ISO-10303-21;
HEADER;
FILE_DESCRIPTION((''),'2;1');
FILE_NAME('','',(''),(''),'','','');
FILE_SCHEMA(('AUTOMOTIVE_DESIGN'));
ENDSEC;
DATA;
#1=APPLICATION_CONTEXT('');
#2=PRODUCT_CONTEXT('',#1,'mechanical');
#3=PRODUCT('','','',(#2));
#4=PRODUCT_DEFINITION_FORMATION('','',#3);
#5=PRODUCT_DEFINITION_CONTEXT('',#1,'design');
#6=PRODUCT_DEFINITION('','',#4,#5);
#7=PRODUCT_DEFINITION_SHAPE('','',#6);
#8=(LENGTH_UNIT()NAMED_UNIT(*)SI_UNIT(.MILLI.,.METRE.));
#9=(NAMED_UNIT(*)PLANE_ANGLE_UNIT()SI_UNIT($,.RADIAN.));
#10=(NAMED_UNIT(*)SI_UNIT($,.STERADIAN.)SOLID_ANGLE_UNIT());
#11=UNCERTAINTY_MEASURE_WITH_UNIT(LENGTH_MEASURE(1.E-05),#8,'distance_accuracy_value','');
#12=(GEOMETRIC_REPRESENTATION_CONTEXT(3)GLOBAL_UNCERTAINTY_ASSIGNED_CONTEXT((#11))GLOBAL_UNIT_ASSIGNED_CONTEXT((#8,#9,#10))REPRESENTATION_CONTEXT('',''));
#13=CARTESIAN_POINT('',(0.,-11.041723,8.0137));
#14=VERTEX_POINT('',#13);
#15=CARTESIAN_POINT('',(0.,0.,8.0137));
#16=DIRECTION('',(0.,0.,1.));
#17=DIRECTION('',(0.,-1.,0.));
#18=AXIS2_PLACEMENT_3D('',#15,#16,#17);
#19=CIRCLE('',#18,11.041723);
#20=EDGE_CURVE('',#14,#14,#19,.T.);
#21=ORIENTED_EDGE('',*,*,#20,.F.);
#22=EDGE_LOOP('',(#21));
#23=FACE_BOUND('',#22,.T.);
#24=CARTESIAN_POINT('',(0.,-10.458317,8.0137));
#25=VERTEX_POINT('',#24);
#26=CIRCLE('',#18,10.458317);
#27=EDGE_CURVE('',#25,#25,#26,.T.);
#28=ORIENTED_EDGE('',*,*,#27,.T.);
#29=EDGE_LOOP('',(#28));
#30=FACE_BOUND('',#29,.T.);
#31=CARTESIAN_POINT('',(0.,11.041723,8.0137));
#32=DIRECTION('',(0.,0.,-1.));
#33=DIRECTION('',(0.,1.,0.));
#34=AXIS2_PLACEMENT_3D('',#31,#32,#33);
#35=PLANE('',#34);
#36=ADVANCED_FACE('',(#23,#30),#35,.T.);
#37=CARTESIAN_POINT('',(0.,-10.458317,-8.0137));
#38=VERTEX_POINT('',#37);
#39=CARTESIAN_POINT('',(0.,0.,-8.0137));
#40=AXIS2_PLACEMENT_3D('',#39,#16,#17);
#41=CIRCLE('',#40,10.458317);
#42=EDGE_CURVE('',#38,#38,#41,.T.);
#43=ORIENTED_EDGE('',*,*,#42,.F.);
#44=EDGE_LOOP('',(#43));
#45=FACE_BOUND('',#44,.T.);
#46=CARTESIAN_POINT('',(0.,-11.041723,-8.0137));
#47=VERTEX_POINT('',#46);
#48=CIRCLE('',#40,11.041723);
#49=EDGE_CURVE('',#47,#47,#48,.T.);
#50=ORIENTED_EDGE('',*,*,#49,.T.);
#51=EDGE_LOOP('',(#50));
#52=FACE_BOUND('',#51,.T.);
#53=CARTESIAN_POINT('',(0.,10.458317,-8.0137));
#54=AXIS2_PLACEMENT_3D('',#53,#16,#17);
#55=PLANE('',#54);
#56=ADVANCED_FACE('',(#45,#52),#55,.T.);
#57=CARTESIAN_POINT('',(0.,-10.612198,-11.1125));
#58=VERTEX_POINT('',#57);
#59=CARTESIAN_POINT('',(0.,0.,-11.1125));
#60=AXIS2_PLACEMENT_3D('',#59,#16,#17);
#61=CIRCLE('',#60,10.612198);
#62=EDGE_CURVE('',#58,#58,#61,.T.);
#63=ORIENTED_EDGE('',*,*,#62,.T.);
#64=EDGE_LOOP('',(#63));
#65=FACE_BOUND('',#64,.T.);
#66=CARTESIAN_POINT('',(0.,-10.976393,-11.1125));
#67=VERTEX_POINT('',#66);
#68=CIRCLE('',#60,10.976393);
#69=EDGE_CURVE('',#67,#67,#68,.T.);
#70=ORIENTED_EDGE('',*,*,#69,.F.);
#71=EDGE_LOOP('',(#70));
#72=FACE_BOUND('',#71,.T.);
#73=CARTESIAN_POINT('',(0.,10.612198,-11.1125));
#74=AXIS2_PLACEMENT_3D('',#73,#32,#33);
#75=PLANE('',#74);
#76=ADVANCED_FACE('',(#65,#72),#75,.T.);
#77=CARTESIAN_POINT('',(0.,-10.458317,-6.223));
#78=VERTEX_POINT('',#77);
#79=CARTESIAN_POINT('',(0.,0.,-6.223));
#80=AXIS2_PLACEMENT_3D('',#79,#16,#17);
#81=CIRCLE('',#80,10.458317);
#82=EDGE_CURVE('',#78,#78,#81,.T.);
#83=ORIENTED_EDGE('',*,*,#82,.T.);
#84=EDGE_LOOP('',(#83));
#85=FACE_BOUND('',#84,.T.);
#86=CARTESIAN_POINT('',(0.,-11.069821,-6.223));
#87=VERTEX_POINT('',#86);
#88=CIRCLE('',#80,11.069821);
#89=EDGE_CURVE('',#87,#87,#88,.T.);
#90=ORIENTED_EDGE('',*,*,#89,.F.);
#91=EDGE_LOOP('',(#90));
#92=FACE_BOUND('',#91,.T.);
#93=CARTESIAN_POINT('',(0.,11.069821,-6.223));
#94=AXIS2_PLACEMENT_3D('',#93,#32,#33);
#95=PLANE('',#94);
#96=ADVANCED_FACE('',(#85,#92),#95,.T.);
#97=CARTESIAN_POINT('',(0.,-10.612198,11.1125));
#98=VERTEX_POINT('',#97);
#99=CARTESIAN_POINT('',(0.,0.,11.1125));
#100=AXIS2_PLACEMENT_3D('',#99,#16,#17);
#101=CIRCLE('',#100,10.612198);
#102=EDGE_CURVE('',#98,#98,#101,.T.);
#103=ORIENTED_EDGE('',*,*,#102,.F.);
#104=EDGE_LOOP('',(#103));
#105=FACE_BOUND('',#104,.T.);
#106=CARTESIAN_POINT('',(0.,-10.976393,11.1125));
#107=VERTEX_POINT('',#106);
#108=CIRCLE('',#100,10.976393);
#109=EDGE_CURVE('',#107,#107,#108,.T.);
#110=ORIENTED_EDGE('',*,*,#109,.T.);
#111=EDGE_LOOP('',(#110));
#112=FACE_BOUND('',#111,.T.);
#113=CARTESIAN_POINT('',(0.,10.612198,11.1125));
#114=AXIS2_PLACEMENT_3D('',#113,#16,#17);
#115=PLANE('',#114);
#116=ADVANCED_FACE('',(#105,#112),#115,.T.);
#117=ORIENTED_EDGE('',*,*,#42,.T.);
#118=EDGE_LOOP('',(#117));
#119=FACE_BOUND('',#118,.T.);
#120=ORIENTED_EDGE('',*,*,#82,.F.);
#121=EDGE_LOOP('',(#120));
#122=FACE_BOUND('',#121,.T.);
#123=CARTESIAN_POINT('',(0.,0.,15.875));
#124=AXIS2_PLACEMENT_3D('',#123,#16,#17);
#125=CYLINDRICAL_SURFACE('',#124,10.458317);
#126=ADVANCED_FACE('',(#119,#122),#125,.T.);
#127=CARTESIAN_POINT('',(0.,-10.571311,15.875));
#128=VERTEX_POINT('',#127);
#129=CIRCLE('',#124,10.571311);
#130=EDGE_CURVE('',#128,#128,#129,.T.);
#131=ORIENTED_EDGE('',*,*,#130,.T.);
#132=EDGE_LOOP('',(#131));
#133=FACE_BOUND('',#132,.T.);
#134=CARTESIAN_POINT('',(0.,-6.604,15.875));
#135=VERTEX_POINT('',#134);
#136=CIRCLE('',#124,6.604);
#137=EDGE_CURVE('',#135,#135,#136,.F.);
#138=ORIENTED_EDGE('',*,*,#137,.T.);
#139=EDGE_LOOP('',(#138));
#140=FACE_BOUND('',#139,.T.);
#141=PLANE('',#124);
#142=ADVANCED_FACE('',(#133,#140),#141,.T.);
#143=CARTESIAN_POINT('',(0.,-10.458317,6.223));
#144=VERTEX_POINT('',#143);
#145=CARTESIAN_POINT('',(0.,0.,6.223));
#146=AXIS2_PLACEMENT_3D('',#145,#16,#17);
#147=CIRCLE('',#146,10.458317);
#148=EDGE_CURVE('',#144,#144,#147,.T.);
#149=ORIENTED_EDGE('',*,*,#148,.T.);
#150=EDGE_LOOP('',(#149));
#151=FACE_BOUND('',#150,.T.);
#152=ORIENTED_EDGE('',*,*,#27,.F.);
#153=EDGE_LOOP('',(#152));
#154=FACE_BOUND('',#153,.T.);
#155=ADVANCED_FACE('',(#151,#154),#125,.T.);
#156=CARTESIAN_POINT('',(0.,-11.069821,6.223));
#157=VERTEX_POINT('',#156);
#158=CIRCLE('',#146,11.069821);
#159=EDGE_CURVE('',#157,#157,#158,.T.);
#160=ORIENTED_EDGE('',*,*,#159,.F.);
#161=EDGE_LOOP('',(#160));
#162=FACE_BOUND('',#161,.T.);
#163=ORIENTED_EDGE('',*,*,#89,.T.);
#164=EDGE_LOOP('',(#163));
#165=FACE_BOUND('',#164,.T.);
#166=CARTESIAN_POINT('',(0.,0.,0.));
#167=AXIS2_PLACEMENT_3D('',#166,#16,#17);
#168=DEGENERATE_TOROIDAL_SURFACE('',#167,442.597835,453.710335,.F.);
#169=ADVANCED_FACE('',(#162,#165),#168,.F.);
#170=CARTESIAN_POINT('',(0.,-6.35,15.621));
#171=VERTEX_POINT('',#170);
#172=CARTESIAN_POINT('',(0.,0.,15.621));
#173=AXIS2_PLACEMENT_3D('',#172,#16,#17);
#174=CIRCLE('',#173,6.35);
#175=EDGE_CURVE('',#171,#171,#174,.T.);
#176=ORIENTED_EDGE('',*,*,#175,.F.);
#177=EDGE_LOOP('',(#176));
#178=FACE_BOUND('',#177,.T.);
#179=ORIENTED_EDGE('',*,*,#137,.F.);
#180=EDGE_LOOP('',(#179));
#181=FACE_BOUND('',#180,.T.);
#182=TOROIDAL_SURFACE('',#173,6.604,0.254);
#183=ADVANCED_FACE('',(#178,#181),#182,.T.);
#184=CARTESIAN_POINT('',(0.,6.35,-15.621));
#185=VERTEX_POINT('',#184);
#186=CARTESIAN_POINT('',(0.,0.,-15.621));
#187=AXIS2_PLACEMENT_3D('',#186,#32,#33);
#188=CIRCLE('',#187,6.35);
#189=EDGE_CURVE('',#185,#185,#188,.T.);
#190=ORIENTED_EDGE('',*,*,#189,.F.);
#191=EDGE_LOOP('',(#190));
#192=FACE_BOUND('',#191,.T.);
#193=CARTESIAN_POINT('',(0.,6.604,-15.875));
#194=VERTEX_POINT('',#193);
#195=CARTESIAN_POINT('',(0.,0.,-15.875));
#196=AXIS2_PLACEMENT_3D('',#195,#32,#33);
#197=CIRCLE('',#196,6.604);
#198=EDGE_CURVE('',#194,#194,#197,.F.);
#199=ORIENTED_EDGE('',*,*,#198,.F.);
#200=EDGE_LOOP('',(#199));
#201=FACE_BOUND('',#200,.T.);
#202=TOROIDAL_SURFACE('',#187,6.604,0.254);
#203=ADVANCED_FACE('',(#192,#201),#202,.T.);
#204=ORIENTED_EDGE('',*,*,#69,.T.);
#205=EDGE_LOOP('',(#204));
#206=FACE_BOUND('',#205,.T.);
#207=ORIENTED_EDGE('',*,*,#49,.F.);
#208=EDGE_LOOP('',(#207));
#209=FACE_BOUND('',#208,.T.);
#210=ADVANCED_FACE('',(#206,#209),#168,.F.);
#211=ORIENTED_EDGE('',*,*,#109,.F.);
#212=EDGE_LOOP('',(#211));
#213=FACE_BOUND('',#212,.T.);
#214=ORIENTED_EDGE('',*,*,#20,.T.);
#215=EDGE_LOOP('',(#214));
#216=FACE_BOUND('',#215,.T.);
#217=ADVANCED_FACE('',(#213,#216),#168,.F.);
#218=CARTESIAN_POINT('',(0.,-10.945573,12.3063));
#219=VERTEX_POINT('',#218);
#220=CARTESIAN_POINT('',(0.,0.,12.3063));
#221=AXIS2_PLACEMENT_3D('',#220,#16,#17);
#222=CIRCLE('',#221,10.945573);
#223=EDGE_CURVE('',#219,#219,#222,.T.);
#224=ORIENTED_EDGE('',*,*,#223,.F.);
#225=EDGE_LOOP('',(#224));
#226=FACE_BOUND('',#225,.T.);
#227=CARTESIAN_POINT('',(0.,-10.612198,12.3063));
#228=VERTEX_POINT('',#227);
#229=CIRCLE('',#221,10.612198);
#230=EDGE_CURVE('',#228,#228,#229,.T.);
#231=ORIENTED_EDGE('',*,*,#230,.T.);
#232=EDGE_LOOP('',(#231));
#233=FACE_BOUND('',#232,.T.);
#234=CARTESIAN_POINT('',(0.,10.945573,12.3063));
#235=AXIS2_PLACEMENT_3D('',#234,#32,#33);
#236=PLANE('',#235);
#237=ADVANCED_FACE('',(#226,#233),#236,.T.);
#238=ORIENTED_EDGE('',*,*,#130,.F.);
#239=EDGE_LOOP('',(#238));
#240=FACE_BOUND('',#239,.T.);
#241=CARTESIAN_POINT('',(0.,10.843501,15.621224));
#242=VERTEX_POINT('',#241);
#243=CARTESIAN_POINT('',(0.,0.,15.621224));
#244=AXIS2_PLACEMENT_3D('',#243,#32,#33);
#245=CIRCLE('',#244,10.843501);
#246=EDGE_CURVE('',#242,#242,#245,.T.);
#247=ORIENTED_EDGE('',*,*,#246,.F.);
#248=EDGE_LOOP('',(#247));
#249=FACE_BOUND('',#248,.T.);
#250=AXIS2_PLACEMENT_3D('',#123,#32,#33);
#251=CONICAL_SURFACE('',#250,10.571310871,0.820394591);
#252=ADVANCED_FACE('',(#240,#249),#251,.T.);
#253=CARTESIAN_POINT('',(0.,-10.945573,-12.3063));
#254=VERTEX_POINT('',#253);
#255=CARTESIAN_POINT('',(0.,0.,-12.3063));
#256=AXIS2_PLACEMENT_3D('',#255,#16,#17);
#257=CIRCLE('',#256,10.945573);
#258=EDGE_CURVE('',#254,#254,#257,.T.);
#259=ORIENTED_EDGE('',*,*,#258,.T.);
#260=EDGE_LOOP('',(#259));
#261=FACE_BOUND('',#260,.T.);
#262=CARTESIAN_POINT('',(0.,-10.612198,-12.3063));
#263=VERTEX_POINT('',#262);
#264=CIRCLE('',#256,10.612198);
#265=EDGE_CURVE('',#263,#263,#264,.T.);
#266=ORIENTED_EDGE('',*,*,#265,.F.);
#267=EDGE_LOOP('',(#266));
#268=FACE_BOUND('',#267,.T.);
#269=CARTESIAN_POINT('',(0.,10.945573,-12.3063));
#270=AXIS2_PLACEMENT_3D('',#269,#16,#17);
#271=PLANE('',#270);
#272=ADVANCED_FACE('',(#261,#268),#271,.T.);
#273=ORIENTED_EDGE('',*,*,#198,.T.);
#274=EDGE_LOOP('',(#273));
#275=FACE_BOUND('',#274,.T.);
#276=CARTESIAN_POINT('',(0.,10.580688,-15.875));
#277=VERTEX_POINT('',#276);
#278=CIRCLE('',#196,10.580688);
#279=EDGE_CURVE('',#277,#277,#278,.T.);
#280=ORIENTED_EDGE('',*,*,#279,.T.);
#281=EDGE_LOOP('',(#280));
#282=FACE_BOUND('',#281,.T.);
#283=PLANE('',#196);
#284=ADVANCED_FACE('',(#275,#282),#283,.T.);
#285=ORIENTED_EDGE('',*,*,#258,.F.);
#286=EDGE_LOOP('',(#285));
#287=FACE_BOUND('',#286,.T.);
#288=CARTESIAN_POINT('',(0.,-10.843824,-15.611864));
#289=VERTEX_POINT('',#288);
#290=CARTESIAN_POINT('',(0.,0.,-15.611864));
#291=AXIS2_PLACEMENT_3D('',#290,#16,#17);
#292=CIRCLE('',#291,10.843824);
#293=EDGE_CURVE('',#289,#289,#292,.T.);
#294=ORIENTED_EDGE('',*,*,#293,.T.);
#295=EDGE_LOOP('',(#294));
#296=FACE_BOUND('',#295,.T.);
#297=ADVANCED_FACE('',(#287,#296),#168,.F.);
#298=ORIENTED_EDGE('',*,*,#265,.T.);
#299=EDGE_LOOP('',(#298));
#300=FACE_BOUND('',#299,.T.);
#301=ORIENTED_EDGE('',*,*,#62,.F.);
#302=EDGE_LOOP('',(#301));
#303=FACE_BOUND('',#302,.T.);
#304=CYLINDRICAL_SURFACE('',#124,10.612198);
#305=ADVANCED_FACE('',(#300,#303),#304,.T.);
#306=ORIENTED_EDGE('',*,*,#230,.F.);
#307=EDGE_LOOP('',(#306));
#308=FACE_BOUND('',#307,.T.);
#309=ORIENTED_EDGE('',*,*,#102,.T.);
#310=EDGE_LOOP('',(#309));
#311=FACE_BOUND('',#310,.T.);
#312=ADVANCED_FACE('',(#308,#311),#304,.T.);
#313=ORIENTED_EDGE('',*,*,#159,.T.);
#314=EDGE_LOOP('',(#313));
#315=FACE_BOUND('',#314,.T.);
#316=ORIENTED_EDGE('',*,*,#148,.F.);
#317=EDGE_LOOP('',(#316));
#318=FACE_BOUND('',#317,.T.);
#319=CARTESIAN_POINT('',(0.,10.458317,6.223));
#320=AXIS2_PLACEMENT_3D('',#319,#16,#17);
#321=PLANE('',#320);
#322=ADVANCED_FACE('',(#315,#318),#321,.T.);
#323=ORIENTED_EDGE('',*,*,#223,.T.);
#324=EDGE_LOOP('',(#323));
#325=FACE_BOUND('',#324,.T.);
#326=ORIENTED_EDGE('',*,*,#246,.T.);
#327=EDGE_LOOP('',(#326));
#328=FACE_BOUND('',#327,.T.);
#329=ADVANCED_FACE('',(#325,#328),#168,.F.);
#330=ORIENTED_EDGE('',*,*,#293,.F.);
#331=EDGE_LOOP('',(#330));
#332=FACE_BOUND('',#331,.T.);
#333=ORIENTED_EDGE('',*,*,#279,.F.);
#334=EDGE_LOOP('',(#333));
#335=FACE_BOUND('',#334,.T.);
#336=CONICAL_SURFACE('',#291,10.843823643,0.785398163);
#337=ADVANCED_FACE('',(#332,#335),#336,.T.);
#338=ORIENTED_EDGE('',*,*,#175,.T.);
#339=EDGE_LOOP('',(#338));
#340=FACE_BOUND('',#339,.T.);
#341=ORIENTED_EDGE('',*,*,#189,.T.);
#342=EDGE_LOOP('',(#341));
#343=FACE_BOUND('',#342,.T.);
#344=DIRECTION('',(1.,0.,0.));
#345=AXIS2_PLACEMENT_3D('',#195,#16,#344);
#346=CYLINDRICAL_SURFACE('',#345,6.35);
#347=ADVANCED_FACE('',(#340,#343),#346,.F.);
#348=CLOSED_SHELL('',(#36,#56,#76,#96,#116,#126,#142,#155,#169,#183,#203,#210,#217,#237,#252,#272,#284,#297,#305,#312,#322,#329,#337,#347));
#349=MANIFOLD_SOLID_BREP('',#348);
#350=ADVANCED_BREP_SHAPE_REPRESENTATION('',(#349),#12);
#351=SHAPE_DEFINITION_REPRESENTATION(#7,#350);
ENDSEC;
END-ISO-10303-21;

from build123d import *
from OCP.BRepFilletAPI import BRepFilletAPI_MakeChamfer

# Parameters (mm, degrees)
BORE_DEPTH       = 23.338105227
BORE_DEPTH_BACK  = 23.338105227
SKETCH2_R        = 6.35
OD_CHAMFER_SIZE  = 0.254
OD_CHAMFER_SIZE2 = 0.263376629
ID_FILLET_R      = 0.254


with BuildPart() as part:
    # Sketch1 → Bearing (revolve)
    with BuildSketch(Plane(origin=(0, 0, 0), x_dir=(0, 0, -1), z_dir=(1, 0, 0))):
        with BuildLine():
            Line((-15.875, 0), (15.875, 0))
            Line((15.875, 0), (15.875, -10.8346875))
            ThreePointArc((15.875, -10.8346875), (14.090759076, -10.893640768), (12.3063, -10.945573139))
            Line((12.3063, -10.945573139), (12.3063, -10.612198139))
            Line((12.3063, -10.612198139), (11.1125, -10.612198139))
            Line((11.1125, -10.612198139), (11.1125, -10.976393136))
            ThreePointArc((11.1125, -10.976393136), (9.563155787, -11.011704293), (8.0137, -11.041723127))
            Line((8.0137, -11.041723127), (8.0137, -10.458316877))
            Line((8.0137, -10.458316877), (6.223, -10.458316877))
            Line((6.223, -10.458316877), (6.223, -11.069821282))
            ThreePointArc((6.223, -11.069821282), (3.111573174, -11.101830195), (0, -11.1125))
            ThreePointArc((0, -11.1125), (-3.111573174, -11.101830195), (-6.223, -11.069821282))
            Line((-6.223, -11.069821282), (-6.223, -10.458316877))
            Line((-6.223, -10.458316877), (-8.0137, -10.458316877))
            Line((-8.0137, -10.458316877), (-8.0137, -11.041723127))
            ThreePointArc((-8.0137, -11.041723127), (-9.563155787, -11.011704293), (-11.1125, -10.976393136))
            Line((-11.1125, -10.976393136), (-11.1125, -10.612198139))
            Line((-11.1125, -10.612198139), (-12.3063, -10.612198139))
            Line((-12.3063, -10.612198139), (-12.3063, -10.945573139))
            ThreePointArc((-12.3063, -10.945573139), (-14.090759076, -10.893640768), (-15.875, -10.8346875))
            Line((-15.875, -10.8346875), (-15.875, 0))
        make_face()
    revolve(axis=Axis((0, 0, 15.875), (0, 0, -1)))

    # Sketch2 → Bore (cut, two sides: drawn at the far end of the back side and taken through both)
    with BuildSketch(Plane.XY.offset(-BORE_DEPTH_BACK)):
        Circle(SKETCH2_R)
    extrude(amount=BORE_DEPTH + BORE_DEPTH_BACK, mode=Mode.SUBTRACT)

    # OD Chamfer: one chamfer whose edges measure the first distance from different faces: ONE call of the kernel's chamfer builder (chamfer() names one face for all edges)
    od_chamfer_edges_1 = [part.edges().sort_by_distance(p)[0] for p in [
        (0, 10.8346875, 15.875),
    ]]
    od_chamfer_side_1 = [part.faces().sort_by_distance(p)[0] for p in [
        (0, 10.893640768, 14.090759076),
    ]]
    od_chamfer_edges_2 = [part.edges().sort_by_distance(p)[0] for p in [
        (0, 10.8346875, -15.875),
    ]]
    od_chamfer_side_2 = [part.faces().sort_by_distance(p)[0] for p in [
        (0, 10.52823626, -15.875),
    ]]
    od_chamfer = BRepFilletAPI_MakeChamfer(part.part.solid().wrapped)
    for e in od_chamfer_edges_1:
        od_chamfer.Add(OD_CHAMFER_SIZE, OD_CHAMFER_SIZE2, e.wrapped, od_chamfer_side_1[0].wrapped)  # the first distance lies on this face
    for e in od_chamfer_edges_2:
        od_chamfer.Add(OD_CHAMFER_SIZE, OD_CHAMFER_SIZE2, e.wrapped, od_chamfer_side_2[0].wrapped)  # the first distance lies on this face
    add(Compound.cast(od_chamfer.Shape()), mode=Mode.REPLACE)

    # ID Fillet
    id_fillet_edges = [part.edges().sort_by_distance(p)[0] for p in [
        (-6.35, 0, -15.875),
        (-6.35, 0, 15.875),
    ]]
    fillet(id_fillet_edges, radius=ID_FILLET_R)


solid = part.part
